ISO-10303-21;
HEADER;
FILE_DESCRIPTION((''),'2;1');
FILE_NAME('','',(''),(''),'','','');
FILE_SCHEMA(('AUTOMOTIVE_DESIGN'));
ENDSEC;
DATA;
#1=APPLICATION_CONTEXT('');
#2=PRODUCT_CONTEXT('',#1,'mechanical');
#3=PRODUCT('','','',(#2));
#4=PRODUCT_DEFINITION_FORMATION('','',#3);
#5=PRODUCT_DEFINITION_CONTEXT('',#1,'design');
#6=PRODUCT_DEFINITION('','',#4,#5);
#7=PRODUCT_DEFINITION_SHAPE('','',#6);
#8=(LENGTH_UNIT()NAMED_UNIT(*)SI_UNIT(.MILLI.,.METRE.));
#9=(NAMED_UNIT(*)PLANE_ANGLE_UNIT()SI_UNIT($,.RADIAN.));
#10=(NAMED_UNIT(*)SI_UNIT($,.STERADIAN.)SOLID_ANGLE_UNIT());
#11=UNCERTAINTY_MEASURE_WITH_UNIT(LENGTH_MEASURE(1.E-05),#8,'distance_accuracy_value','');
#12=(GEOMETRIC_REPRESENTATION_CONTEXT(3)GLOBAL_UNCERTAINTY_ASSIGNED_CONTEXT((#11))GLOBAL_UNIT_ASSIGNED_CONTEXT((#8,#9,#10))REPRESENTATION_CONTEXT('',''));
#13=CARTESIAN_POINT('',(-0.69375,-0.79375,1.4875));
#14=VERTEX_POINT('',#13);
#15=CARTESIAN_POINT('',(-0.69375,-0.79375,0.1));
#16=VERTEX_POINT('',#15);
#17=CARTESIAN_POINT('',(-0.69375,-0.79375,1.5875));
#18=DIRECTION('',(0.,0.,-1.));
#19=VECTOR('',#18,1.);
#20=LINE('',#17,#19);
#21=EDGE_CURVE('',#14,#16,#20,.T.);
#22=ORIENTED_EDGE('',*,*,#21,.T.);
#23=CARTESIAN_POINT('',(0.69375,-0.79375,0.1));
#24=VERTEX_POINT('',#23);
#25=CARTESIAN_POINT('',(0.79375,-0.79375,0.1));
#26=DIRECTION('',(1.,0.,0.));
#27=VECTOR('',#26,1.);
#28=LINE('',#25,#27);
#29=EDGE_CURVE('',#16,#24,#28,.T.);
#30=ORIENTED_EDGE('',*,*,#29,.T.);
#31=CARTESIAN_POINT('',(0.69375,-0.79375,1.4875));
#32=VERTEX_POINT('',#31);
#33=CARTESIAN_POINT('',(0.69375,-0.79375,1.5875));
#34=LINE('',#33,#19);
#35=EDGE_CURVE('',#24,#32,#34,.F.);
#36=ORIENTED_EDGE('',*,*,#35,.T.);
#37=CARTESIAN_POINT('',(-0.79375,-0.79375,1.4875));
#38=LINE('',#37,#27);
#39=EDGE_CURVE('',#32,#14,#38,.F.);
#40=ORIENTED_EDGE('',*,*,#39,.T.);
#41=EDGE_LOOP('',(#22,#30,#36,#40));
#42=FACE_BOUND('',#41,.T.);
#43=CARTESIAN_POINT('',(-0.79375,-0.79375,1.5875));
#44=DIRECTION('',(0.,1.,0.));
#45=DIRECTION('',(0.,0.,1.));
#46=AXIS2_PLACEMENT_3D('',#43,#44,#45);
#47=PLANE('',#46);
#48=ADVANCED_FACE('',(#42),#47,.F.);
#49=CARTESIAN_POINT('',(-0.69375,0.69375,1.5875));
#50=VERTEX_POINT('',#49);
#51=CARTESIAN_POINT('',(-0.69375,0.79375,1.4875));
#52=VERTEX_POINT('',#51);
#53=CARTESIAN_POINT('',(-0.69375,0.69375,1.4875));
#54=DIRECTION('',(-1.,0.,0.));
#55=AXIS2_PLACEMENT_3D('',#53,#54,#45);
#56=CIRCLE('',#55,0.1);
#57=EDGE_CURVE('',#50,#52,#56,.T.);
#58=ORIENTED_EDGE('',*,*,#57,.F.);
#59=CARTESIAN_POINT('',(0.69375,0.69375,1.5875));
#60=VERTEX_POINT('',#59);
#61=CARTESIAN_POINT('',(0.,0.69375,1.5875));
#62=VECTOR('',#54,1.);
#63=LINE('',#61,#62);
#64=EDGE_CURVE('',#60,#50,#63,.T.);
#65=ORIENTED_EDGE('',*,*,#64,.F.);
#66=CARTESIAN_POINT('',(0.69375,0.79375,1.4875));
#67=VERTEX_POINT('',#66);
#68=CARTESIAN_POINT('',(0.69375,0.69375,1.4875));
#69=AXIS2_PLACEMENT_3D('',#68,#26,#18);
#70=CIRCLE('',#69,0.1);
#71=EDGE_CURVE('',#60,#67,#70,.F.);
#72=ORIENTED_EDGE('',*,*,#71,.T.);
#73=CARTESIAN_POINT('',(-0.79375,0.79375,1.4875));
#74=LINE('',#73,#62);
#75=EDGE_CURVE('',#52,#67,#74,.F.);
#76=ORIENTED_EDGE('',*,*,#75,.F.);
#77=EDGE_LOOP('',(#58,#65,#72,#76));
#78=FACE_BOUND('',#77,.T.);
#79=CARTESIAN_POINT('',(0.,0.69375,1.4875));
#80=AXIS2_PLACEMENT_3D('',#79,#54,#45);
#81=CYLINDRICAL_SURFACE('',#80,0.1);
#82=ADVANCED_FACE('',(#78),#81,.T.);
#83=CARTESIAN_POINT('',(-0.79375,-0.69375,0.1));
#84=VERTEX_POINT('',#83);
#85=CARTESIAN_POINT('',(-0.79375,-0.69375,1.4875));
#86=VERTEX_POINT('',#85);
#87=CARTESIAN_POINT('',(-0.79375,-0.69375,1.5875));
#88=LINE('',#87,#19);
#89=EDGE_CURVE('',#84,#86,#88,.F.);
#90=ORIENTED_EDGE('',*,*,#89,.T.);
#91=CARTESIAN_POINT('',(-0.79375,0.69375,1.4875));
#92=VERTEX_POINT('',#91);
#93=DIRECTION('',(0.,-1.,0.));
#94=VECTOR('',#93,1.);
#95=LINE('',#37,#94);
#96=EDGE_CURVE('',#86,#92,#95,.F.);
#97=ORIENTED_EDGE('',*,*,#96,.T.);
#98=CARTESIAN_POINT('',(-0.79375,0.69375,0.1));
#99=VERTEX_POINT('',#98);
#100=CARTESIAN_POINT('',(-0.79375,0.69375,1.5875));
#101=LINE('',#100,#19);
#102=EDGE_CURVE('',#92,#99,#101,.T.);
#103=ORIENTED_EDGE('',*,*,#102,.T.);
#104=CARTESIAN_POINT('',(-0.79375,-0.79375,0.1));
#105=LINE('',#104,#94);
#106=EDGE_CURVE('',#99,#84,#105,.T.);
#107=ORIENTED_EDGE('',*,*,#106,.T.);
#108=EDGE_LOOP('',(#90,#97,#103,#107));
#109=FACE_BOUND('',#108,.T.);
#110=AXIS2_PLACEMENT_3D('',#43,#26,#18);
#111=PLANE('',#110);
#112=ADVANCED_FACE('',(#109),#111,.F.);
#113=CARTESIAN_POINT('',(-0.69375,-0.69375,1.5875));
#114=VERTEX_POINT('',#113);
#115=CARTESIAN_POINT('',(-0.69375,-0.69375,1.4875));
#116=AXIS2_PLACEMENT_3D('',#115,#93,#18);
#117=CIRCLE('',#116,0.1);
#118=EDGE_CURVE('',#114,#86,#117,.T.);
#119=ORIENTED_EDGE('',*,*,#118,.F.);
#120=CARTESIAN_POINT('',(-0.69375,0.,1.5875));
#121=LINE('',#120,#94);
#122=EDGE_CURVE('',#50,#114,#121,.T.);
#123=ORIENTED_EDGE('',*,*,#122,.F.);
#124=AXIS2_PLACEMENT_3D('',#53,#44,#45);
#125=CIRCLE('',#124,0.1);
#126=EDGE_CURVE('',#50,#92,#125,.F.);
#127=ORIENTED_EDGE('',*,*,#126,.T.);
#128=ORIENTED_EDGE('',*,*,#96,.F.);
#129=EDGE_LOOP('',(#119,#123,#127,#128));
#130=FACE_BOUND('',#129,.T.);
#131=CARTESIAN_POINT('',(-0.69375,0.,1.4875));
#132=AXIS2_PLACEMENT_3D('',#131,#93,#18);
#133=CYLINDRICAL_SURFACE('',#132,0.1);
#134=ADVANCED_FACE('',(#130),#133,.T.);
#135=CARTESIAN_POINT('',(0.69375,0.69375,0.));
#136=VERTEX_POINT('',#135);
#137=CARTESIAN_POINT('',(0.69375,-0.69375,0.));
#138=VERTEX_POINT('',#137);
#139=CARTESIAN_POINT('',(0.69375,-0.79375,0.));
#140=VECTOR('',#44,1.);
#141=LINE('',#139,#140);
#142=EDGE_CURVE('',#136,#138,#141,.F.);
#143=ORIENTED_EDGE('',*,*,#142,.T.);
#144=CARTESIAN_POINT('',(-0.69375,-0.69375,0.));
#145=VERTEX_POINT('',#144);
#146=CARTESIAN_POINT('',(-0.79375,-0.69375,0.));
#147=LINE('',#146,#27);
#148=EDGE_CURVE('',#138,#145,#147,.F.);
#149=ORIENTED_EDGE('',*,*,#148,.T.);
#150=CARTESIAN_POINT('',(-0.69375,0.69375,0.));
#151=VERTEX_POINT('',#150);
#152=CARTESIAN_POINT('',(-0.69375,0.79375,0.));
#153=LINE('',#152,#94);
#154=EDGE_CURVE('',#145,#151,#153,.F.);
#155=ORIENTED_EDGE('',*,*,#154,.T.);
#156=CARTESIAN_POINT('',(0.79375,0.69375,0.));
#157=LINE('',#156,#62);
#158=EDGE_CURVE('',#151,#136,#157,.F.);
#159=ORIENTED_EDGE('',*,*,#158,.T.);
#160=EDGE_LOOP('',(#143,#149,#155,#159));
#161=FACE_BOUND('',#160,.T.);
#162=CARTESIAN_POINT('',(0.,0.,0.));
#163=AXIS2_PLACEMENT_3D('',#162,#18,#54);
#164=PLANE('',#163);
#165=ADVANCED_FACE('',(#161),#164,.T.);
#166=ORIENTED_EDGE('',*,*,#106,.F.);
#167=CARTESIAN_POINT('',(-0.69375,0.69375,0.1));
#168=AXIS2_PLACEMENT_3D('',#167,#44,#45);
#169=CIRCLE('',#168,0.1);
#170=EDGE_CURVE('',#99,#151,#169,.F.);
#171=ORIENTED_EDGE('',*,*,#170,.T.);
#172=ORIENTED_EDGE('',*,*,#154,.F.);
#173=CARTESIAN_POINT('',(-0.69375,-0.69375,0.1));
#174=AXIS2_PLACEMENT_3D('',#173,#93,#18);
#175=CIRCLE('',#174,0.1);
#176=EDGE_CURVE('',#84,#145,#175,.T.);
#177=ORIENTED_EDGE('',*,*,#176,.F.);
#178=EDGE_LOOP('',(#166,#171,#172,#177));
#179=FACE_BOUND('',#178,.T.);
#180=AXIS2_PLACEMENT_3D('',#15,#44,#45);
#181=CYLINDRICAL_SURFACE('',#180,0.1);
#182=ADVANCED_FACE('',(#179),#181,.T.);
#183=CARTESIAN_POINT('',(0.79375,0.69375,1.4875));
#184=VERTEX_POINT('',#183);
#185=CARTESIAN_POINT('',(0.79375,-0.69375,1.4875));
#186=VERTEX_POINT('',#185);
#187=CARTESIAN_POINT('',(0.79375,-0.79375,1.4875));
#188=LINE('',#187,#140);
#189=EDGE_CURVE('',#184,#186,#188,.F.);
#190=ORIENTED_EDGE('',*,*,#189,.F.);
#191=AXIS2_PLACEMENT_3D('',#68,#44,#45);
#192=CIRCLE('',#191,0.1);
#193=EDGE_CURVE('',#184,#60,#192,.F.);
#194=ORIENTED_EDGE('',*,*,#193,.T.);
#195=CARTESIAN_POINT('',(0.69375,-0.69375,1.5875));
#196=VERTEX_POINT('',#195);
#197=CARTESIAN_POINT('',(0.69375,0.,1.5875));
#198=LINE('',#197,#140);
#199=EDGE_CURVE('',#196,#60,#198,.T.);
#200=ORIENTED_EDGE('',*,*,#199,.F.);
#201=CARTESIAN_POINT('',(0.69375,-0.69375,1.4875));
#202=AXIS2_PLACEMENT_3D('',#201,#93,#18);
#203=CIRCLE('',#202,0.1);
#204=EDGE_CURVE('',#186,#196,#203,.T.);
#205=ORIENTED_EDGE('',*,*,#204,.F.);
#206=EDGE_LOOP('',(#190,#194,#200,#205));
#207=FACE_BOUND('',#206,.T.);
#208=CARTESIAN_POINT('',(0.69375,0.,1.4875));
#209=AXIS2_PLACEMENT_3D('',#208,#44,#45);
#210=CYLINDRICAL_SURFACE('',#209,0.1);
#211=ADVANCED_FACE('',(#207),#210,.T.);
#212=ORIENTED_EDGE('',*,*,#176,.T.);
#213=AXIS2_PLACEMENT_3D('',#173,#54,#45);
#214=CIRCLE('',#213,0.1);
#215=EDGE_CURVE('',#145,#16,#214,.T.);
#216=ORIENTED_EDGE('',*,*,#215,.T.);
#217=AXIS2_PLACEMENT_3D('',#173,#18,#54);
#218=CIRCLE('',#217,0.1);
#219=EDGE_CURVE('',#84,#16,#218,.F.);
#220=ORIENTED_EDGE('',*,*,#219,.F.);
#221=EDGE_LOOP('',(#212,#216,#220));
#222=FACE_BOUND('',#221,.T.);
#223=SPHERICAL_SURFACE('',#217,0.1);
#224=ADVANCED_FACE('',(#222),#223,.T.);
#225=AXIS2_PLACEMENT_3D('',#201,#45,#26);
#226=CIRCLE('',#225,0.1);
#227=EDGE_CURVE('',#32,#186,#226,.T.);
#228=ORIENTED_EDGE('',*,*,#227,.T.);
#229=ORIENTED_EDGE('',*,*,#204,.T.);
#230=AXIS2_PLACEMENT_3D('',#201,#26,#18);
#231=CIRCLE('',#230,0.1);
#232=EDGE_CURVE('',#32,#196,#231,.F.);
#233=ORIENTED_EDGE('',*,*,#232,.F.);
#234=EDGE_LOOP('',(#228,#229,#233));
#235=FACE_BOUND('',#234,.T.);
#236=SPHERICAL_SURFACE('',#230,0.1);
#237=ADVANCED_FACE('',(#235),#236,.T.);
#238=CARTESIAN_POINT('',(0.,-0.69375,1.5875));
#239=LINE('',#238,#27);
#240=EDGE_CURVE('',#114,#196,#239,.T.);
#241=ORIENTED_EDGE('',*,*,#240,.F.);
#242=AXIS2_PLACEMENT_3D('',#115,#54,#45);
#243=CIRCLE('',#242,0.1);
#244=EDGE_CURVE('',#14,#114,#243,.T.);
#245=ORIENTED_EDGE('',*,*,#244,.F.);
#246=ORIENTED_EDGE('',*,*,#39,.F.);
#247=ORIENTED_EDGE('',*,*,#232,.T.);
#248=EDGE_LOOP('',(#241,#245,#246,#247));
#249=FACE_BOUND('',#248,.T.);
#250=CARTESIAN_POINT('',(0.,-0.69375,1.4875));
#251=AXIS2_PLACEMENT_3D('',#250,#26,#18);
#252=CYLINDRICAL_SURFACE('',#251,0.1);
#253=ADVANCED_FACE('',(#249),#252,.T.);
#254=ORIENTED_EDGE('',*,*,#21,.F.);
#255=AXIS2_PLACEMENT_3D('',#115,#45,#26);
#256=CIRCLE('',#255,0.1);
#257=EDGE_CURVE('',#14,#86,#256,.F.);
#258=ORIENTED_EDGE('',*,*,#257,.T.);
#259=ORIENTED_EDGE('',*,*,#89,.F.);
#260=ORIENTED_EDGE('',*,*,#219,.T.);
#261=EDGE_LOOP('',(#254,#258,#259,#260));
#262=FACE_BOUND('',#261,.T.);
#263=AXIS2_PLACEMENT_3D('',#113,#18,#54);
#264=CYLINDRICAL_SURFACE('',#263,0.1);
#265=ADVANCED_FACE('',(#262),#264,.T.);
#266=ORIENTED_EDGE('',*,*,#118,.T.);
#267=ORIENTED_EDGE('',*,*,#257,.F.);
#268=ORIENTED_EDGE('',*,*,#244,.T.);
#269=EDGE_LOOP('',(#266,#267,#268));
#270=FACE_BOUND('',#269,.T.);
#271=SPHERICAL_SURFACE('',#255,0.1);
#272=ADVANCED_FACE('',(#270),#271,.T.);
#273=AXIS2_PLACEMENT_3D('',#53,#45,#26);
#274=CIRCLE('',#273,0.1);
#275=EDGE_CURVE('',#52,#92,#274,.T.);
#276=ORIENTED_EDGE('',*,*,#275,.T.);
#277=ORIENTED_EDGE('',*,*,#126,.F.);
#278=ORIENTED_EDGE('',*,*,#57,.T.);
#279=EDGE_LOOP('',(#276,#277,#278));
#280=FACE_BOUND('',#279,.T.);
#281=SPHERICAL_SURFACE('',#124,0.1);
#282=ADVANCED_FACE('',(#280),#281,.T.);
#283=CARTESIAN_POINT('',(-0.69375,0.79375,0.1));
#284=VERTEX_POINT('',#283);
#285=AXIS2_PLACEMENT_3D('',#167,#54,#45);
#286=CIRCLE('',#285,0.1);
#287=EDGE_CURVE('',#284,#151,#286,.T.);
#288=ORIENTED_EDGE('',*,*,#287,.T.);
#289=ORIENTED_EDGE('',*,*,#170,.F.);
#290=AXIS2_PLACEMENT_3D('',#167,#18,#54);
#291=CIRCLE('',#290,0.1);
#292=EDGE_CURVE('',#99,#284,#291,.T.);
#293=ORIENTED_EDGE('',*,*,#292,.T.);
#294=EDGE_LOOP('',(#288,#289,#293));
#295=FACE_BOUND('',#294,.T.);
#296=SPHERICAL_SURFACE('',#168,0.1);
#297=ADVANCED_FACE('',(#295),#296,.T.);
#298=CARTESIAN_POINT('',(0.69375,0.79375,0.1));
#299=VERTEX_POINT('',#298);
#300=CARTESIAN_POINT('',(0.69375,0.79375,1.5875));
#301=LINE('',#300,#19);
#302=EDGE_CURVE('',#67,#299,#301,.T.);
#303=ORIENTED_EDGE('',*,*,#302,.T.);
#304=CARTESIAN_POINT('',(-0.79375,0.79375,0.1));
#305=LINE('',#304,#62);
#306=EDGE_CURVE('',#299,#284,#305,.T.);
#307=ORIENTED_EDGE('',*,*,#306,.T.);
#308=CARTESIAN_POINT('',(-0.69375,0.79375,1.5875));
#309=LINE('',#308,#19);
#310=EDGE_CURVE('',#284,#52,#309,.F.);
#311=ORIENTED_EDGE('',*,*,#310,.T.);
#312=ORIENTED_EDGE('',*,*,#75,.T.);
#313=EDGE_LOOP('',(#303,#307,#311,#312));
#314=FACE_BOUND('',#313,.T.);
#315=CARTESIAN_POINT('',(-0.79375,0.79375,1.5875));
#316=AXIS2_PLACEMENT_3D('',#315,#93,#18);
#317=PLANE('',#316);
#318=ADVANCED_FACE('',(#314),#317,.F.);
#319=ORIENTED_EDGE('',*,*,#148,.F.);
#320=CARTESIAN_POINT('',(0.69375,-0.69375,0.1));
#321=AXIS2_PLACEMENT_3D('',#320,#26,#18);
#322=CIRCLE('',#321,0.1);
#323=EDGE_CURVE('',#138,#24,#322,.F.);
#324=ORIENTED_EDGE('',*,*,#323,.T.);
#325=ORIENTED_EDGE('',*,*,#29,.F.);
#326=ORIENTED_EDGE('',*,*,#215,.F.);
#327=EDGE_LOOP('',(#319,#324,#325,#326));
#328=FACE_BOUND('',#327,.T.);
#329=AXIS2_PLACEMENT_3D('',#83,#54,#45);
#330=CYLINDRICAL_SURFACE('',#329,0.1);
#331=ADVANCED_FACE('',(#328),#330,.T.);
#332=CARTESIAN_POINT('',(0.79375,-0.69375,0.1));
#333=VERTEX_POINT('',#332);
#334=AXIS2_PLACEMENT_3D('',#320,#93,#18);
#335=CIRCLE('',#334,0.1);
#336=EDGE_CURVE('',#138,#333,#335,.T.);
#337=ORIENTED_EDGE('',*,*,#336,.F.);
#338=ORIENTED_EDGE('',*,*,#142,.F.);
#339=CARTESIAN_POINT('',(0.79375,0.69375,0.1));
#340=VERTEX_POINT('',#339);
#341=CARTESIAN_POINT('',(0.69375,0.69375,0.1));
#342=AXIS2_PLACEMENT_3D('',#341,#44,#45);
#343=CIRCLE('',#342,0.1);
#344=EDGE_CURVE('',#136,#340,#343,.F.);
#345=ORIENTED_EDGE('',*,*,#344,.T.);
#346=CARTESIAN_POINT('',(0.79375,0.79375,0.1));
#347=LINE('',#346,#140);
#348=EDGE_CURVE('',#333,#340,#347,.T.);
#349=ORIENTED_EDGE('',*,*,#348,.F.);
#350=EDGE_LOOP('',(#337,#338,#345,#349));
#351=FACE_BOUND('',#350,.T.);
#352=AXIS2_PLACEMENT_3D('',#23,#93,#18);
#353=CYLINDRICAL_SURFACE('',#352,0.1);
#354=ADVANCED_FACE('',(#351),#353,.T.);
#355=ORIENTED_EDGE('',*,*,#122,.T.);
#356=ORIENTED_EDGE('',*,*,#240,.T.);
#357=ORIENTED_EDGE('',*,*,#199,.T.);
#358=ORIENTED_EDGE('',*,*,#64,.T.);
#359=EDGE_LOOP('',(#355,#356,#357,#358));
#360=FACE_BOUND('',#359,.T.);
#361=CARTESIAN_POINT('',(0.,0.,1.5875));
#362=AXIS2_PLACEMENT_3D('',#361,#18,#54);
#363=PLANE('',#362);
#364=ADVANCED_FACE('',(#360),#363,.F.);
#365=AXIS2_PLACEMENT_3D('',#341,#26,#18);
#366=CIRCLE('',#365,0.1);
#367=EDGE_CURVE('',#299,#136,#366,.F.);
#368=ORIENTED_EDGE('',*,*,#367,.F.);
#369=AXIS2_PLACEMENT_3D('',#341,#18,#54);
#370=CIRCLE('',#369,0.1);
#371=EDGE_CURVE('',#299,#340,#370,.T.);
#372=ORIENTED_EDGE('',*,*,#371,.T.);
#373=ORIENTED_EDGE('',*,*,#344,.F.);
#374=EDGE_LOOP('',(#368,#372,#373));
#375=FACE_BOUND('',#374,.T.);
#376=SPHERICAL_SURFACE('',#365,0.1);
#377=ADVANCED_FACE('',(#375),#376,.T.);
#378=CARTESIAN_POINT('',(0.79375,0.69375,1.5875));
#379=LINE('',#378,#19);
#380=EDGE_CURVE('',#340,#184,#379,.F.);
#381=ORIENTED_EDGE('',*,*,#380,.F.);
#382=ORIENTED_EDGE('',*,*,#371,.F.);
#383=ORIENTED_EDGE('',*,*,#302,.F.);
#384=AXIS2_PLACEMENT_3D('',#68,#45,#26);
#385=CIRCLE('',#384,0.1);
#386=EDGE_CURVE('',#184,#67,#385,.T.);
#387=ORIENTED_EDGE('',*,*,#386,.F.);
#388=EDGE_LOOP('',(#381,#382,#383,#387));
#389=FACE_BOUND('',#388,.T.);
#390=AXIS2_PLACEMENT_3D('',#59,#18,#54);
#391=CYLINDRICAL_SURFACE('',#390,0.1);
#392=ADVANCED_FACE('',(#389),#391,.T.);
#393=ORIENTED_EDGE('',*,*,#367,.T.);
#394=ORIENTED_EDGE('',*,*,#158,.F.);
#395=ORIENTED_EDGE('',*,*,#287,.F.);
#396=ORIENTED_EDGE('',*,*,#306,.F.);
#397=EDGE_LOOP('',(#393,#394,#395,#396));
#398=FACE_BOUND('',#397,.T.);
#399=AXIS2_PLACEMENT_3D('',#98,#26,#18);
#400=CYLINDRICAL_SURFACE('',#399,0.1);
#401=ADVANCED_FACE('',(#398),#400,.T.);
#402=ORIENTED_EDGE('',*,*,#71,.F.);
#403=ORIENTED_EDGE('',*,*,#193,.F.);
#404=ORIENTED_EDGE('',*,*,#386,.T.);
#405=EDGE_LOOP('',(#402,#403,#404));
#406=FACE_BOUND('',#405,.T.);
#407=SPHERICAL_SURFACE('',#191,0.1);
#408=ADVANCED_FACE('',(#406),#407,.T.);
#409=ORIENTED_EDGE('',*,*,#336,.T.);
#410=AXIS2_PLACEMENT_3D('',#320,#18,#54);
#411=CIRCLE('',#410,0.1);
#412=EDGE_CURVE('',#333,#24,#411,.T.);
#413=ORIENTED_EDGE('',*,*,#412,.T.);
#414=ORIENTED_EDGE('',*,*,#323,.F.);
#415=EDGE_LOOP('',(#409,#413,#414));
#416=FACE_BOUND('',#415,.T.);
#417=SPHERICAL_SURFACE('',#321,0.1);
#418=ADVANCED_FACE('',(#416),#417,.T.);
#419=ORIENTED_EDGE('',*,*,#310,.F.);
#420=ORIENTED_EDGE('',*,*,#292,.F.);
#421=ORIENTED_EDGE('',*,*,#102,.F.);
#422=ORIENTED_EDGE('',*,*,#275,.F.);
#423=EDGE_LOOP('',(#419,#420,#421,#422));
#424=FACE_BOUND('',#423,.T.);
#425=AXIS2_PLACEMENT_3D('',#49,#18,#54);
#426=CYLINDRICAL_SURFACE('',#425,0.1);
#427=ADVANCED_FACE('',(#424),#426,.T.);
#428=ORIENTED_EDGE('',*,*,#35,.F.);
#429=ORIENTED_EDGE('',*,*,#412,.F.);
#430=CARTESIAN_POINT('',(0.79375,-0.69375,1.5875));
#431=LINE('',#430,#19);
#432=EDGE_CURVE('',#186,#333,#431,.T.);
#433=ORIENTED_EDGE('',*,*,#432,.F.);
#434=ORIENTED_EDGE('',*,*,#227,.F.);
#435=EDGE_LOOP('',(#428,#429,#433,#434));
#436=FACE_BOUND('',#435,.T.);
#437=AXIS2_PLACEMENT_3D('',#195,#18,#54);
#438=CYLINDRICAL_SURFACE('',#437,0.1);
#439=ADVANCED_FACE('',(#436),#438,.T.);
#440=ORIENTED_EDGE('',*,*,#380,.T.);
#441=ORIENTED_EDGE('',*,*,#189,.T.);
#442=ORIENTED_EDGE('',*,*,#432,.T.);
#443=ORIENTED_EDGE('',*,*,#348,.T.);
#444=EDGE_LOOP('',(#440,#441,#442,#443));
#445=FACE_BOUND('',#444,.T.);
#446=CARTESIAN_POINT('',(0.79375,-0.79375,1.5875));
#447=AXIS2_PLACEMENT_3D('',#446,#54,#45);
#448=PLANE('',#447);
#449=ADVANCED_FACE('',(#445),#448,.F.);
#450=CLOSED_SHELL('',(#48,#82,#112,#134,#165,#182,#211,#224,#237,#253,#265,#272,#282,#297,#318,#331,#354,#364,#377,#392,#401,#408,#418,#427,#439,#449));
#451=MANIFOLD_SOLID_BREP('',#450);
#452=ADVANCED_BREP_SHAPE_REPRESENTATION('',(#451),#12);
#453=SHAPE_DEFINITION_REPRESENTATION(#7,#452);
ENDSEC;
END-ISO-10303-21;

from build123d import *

# Parameters (mm, degrees)
SKETCH1_W           = 1.5875
SKETCH1_H           = 1.5875
BOSS_EXTRUDE1_DEPTH = 1.5875
FILLET1_R           = 0.1


with BuildPart() as part:
    # Sketch1 → Boss-Extrude1 (new body)
    with BuildSketch(Plane.XY):
        Rectangle(SKETCH1_W, SKETCH1_H)
    extrude(amount=BOSS_EXTRUDE1_DEPTH)

    # Fillet1
    fillet1_edges = [part.edges().sort_by_distance(p)[0] for p in [
        (-0.79375, 0, 1.5875),
        (0, -0.79375, 1.5875),
        (0.79375, 0, 1.5875),
        (0, -0.79375, 0),
        (-0.79375, 0, 0),
        (0, 0.79375, 0),
        (0.79375, 0, 0),
        (0.79375, -0.79375, 0.79375),
        (-0.79375, -0.79375, 0.79375),
        (-0.79375, 0.79375, 0.79375),
        (0.79375, 0.79375, 0.79375),
        (0, 0.79375, 1.5875),
    ]]
    fillet(fillet1_edges, radius=FILLET1_R)


solid = part.part
